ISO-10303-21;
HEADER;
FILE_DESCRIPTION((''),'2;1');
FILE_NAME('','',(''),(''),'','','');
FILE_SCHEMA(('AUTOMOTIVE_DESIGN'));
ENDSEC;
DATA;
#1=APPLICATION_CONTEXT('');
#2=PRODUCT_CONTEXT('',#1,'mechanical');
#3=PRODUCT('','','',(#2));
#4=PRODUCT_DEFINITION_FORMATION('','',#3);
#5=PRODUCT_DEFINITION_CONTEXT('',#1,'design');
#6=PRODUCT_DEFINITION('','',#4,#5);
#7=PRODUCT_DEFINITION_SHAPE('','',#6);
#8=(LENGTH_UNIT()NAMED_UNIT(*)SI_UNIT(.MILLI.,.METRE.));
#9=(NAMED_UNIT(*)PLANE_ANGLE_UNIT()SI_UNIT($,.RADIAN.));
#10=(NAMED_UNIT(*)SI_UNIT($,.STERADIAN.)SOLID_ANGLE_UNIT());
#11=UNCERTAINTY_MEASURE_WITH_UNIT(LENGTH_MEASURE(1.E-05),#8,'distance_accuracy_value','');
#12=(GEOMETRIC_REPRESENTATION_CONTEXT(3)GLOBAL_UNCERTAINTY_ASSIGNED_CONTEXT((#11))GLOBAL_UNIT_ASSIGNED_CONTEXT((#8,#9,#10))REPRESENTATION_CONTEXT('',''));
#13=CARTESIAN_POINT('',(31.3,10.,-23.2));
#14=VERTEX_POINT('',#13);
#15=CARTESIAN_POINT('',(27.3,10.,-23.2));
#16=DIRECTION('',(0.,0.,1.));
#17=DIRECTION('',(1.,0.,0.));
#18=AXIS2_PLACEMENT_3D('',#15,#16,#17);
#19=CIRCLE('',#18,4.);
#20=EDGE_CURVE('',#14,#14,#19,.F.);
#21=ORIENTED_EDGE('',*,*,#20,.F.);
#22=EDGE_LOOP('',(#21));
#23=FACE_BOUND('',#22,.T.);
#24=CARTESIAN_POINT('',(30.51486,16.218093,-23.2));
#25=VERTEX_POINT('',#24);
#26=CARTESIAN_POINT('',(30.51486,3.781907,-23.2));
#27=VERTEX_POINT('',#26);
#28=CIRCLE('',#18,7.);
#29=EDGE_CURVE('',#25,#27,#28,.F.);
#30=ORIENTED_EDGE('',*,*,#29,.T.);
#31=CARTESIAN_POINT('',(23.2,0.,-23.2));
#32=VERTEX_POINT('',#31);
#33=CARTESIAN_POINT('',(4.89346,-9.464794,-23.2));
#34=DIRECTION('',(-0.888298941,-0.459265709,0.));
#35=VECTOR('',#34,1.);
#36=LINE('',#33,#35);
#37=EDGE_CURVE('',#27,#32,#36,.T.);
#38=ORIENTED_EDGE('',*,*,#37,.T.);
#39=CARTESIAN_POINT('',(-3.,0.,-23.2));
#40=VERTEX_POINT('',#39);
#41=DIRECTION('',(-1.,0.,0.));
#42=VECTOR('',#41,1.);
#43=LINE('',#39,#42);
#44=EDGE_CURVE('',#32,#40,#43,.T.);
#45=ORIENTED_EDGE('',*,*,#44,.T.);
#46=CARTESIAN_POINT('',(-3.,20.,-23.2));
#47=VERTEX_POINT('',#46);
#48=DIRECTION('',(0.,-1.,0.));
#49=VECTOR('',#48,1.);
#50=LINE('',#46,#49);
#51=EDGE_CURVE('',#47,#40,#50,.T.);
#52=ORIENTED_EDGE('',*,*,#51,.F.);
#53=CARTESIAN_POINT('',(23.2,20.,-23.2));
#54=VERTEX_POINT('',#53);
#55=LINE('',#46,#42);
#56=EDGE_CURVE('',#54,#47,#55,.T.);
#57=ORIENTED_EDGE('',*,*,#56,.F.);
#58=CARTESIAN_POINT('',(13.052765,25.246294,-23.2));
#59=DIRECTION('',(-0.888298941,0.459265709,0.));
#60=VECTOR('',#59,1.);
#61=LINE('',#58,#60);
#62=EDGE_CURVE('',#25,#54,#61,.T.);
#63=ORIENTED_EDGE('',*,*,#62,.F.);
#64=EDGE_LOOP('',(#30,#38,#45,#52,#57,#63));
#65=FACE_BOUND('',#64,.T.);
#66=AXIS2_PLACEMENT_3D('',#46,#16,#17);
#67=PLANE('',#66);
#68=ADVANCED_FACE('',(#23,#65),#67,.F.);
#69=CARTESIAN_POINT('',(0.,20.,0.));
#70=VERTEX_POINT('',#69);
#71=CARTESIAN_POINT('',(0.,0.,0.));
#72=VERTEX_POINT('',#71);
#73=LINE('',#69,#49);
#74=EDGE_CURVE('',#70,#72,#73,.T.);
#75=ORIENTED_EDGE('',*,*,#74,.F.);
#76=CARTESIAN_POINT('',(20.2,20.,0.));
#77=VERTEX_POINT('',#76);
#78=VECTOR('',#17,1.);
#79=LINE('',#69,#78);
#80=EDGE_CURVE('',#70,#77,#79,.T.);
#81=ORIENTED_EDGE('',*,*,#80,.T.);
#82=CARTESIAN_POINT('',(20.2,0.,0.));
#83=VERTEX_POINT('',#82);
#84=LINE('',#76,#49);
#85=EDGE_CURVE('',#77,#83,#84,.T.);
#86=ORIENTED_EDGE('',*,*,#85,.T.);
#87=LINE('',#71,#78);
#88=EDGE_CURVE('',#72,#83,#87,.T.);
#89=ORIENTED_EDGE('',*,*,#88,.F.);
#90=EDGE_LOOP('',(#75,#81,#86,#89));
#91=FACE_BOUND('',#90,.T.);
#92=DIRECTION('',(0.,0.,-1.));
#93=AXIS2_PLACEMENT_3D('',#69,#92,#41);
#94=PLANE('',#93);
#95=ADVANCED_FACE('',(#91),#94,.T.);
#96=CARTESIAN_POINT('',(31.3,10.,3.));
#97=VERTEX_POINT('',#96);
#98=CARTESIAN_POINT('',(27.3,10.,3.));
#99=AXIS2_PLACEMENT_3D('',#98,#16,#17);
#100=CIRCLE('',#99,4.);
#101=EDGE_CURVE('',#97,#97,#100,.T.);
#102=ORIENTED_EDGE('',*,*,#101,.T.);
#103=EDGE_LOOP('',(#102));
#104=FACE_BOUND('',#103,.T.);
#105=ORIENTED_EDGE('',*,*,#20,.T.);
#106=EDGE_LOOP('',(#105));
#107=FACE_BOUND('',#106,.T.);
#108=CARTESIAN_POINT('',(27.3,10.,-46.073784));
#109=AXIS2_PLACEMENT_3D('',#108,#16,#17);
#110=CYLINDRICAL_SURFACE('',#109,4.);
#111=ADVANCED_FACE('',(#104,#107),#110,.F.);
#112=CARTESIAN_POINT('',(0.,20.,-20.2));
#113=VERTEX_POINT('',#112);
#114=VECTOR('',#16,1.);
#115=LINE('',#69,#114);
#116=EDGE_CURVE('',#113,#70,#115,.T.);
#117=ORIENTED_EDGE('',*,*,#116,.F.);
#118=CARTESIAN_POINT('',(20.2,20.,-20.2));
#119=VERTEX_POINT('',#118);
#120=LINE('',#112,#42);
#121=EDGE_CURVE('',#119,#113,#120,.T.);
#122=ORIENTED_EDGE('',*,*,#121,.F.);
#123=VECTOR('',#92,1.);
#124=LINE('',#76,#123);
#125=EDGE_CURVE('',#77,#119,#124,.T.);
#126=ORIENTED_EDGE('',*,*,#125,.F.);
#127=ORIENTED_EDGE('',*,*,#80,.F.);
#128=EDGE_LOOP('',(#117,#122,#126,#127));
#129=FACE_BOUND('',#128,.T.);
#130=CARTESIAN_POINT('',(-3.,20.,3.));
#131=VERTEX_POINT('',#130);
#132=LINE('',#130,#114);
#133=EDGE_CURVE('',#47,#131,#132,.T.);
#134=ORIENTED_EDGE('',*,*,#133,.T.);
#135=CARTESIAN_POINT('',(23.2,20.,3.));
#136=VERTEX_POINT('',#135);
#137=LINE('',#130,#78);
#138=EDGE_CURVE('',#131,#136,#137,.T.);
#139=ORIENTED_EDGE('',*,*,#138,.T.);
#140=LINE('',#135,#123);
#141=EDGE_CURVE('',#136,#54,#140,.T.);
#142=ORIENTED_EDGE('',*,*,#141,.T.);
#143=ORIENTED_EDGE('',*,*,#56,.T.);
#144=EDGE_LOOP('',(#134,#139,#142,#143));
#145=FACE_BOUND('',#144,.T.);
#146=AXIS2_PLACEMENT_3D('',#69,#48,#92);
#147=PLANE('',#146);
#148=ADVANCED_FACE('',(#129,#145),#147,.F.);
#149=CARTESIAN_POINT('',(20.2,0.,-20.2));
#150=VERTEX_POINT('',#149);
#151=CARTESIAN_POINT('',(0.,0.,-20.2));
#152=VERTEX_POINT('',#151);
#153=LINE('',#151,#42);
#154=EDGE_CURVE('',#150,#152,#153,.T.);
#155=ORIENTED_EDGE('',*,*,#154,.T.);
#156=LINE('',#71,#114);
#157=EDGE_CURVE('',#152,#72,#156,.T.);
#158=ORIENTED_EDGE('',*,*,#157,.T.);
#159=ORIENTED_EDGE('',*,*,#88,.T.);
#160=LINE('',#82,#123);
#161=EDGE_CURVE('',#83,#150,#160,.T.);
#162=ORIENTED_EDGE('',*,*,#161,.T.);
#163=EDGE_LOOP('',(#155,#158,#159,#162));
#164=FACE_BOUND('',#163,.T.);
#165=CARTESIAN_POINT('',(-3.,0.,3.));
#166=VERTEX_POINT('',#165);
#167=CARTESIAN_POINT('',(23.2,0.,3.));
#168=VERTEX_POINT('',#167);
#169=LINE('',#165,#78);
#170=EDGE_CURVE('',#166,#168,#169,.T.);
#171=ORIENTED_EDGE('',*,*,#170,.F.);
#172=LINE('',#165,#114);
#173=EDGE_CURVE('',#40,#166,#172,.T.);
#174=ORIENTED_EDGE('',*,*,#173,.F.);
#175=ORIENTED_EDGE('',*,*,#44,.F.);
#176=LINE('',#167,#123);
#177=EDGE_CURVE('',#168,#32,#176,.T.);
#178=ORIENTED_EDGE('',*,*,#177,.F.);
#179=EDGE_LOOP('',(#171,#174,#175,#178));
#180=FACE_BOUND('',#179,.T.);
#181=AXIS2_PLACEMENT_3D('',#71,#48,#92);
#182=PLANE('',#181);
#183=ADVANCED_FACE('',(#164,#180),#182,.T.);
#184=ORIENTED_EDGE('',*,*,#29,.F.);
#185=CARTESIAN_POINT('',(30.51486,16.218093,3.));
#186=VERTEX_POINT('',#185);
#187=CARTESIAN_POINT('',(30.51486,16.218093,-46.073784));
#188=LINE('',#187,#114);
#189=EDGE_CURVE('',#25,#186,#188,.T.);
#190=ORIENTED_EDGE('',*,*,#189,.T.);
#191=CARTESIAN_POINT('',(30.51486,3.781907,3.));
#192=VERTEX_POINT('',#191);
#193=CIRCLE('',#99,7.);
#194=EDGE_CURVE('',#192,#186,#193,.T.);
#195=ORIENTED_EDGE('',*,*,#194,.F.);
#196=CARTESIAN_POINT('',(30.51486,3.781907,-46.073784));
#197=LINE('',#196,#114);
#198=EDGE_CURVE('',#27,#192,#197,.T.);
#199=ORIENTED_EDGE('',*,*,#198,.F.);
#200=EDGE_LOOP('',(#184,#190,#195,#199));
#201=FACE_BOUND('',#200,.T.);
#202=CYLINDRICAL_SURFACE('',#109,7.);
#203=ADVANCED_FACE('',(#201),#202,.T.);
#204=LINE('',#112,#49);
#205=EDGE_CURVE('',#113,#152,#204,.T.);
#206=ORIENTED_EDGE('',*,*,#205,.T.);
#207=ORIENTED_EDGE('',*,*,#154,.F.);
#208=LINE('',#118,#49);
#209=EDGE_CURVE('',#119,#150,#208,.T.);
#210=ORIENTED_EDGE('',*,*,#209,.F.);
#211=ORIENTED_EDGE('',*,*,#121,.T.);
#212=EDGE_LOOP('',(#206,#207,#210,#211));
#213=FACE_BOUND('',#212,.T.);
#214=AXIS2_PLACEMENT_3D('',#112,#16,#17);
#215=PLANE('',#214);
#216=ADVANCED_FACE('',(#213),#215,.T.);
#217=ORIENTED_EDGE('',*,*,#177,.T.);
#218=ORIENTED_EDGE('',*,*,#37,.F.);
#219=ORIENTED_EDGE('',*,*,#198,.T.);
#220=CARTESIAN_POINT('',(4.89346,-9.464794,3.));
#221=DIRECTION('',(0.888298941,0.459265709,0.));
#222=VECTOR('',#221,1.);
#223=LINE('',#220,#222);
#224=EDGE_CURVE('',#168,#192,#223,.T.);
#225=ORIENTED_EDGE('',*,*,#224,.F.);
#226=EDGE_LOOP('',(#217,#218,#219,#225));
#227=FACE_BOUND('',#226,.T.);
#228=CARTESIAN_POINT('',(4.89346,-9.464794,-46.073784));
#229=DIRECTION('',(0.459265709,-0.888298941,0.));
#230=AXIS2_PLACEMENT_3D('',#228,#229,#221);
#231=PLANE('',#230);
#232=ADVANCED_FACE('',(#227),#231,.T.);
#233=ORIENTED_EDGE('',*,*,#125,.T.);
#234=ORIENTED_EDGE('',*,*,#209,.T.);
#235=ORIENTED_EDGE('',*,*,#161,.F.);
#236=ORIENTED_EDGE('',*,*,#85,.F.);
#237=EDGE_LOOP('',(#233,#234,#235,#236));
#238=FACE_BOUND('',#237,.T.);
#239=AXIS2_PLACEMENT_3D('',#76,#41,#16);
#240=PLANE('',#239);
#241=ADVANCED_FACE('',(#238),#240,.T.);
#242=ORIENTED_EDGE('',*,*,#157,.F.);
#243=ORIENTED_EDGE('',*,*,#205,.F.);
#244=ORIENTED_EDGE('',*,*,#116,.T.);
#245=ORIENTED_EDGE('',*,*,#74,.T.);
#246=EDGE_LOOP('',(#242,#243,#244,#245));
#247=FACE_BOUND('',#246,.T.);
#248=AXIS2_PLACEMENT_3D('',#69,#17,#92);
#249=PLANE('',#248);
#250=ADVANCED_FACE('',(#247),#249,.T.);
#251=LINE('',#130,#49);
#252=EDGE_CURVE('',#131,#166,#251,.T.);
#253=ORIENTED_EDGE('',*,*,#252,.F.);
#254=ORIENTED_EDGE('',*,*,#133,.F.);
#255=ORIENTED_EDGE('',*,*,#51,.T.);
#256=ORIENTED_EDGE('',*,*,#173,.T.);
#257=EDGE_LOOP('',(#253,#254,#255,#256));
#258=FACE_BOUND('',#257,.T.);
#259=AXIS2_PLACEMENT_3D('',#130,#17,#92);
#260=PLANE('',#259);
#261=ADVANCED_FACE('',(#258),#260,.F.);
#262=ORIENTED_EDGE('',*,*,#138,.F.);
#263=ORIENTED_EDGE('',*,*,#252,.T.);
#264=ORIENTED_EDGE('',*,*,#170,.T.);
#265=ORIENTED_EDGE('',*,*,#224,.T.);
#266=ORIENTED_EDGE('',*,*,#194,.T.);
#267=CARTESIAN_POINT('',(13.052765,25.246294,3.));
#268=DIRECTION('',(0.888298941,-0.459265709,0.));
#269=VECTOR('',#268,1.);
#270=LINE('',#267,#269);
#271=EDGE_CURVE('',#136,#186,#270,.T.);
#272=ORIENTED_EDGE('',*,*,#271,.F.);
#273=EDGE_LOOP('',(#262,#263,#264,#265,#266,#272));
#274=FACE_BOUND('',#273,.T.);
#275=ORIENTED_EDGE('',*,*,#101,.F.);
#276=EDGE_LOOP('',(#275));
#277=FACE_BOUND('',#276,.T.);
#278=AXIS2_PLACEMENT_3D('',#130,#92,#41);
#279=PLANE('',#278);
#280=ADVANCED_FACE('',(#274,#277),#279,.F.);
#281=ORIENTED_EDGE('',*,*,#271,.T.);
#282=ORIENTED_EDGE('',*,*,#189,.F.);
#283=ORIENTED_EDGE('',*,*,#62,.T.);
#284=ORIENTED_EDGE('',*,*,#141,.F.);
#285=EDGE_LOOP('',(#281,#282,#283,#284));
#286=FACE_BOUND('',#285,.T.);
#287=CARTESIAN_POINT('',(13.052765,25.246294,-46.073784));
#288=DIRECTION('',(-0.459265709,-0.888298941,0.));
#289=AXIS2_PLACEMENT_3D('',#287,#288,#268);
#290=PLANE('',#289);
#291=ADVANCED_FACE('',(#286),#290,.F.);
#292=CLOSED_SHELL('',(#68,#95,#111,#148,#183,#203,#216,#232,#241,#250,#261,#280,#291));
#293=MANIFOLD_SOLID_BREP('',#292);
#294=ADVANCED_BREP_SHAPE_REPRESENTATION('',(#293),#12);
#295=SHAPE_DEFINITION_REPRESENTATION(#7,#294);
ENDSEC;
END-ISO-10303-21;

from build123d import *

# Parameters (mm, degrees)
SKETCH1_W           = 26.2
SKETCH1_H           = 26.2
SKETCH1_W_2         = 20.2
SKETCH1_H_2         = 20.2
BOSS_EXTRUDE1_DEPTH = 20
SKETCH2_R           = 4
BOSS_EXTRUDE4_DEPTH = 26.2


with BuildPart() as part:
    # Sketch1 → Boss-Extrude1 (new body)
    with BuildSketch(Plane(origin=(0, 0, 0), x_dir=(1, 0, 0), z_dir=(0, 1, 0))):
        with Locations((10.1, 10.1)):
            Rectangle(SKETCH1_W, SKETCH1_H)
        with Locations((10.1, 10.1)):
            Rectangle(SKETCH1_W_2, SKETCH1_H_2, mode=Mode.SUBTRACT)
    extrude(amount=BOSS_EXTRUDE1_DEPTH)

    # Sketch2 → Boss-Extrude4 (add)
    # profile 1 of 3: a face of its own
    with BuildSketch(Plane.XY.offset(3)):
        with BuildLine():
            ThreePointArc((34.3, 10), (33.279298444, 13.639778856), (30.514859965, 16.218092586))
            ThreePointArc((30.514859965, 16.218092586), (26.780404048, 16.980689081), (23.2, 15.673623181))
            Line((23.2, 15.673623181), (23.2, 4.326376819))
            ThreePointArc((23.2, 4.326376819), (26.780404048, 3.019310919), (30.514859965, 3.781907414))
            ThreePointArc((30.514859965, 3.781907414), (33.279298444, 6.360221144), (34.3, 10))
        make_face()
        with Locations((27.3, 10)):
            Circle(SKETCH2_R, mode=Mode.SUBTRACT)
    # profile 2 of 3: a face of its own
    with BuildSketch(Plane.XY.offset(3)):
        with BuildLine():
            Line((30.514859965, 16.218092586), (23.2, 20))
            Line((23.2, 20), (23.2, 15.673623181))
            ThreePointArc((23.2, 15.673623181), (26.780404048, 16.980689081), (30.514859965, 16.218092586))
        make_face()
    # profile 3 of 3: a face of its own
    with BuildSketch(Plane.XY.offset(3)):
        with BuildLine():
            ThreePointArc((30.514859965, 3.781907414), (26.780404048, 3.019310919), (23.2, 4.326376819))
            Line((23.2, 4.326376819), (23.2, 0))
            Line((23.2, 0), (30.514859965, 3.781907414))
        make_face()
    extrude(amount=-BOSS_EXTRUDE4_DEPTH)


solid = part.part
